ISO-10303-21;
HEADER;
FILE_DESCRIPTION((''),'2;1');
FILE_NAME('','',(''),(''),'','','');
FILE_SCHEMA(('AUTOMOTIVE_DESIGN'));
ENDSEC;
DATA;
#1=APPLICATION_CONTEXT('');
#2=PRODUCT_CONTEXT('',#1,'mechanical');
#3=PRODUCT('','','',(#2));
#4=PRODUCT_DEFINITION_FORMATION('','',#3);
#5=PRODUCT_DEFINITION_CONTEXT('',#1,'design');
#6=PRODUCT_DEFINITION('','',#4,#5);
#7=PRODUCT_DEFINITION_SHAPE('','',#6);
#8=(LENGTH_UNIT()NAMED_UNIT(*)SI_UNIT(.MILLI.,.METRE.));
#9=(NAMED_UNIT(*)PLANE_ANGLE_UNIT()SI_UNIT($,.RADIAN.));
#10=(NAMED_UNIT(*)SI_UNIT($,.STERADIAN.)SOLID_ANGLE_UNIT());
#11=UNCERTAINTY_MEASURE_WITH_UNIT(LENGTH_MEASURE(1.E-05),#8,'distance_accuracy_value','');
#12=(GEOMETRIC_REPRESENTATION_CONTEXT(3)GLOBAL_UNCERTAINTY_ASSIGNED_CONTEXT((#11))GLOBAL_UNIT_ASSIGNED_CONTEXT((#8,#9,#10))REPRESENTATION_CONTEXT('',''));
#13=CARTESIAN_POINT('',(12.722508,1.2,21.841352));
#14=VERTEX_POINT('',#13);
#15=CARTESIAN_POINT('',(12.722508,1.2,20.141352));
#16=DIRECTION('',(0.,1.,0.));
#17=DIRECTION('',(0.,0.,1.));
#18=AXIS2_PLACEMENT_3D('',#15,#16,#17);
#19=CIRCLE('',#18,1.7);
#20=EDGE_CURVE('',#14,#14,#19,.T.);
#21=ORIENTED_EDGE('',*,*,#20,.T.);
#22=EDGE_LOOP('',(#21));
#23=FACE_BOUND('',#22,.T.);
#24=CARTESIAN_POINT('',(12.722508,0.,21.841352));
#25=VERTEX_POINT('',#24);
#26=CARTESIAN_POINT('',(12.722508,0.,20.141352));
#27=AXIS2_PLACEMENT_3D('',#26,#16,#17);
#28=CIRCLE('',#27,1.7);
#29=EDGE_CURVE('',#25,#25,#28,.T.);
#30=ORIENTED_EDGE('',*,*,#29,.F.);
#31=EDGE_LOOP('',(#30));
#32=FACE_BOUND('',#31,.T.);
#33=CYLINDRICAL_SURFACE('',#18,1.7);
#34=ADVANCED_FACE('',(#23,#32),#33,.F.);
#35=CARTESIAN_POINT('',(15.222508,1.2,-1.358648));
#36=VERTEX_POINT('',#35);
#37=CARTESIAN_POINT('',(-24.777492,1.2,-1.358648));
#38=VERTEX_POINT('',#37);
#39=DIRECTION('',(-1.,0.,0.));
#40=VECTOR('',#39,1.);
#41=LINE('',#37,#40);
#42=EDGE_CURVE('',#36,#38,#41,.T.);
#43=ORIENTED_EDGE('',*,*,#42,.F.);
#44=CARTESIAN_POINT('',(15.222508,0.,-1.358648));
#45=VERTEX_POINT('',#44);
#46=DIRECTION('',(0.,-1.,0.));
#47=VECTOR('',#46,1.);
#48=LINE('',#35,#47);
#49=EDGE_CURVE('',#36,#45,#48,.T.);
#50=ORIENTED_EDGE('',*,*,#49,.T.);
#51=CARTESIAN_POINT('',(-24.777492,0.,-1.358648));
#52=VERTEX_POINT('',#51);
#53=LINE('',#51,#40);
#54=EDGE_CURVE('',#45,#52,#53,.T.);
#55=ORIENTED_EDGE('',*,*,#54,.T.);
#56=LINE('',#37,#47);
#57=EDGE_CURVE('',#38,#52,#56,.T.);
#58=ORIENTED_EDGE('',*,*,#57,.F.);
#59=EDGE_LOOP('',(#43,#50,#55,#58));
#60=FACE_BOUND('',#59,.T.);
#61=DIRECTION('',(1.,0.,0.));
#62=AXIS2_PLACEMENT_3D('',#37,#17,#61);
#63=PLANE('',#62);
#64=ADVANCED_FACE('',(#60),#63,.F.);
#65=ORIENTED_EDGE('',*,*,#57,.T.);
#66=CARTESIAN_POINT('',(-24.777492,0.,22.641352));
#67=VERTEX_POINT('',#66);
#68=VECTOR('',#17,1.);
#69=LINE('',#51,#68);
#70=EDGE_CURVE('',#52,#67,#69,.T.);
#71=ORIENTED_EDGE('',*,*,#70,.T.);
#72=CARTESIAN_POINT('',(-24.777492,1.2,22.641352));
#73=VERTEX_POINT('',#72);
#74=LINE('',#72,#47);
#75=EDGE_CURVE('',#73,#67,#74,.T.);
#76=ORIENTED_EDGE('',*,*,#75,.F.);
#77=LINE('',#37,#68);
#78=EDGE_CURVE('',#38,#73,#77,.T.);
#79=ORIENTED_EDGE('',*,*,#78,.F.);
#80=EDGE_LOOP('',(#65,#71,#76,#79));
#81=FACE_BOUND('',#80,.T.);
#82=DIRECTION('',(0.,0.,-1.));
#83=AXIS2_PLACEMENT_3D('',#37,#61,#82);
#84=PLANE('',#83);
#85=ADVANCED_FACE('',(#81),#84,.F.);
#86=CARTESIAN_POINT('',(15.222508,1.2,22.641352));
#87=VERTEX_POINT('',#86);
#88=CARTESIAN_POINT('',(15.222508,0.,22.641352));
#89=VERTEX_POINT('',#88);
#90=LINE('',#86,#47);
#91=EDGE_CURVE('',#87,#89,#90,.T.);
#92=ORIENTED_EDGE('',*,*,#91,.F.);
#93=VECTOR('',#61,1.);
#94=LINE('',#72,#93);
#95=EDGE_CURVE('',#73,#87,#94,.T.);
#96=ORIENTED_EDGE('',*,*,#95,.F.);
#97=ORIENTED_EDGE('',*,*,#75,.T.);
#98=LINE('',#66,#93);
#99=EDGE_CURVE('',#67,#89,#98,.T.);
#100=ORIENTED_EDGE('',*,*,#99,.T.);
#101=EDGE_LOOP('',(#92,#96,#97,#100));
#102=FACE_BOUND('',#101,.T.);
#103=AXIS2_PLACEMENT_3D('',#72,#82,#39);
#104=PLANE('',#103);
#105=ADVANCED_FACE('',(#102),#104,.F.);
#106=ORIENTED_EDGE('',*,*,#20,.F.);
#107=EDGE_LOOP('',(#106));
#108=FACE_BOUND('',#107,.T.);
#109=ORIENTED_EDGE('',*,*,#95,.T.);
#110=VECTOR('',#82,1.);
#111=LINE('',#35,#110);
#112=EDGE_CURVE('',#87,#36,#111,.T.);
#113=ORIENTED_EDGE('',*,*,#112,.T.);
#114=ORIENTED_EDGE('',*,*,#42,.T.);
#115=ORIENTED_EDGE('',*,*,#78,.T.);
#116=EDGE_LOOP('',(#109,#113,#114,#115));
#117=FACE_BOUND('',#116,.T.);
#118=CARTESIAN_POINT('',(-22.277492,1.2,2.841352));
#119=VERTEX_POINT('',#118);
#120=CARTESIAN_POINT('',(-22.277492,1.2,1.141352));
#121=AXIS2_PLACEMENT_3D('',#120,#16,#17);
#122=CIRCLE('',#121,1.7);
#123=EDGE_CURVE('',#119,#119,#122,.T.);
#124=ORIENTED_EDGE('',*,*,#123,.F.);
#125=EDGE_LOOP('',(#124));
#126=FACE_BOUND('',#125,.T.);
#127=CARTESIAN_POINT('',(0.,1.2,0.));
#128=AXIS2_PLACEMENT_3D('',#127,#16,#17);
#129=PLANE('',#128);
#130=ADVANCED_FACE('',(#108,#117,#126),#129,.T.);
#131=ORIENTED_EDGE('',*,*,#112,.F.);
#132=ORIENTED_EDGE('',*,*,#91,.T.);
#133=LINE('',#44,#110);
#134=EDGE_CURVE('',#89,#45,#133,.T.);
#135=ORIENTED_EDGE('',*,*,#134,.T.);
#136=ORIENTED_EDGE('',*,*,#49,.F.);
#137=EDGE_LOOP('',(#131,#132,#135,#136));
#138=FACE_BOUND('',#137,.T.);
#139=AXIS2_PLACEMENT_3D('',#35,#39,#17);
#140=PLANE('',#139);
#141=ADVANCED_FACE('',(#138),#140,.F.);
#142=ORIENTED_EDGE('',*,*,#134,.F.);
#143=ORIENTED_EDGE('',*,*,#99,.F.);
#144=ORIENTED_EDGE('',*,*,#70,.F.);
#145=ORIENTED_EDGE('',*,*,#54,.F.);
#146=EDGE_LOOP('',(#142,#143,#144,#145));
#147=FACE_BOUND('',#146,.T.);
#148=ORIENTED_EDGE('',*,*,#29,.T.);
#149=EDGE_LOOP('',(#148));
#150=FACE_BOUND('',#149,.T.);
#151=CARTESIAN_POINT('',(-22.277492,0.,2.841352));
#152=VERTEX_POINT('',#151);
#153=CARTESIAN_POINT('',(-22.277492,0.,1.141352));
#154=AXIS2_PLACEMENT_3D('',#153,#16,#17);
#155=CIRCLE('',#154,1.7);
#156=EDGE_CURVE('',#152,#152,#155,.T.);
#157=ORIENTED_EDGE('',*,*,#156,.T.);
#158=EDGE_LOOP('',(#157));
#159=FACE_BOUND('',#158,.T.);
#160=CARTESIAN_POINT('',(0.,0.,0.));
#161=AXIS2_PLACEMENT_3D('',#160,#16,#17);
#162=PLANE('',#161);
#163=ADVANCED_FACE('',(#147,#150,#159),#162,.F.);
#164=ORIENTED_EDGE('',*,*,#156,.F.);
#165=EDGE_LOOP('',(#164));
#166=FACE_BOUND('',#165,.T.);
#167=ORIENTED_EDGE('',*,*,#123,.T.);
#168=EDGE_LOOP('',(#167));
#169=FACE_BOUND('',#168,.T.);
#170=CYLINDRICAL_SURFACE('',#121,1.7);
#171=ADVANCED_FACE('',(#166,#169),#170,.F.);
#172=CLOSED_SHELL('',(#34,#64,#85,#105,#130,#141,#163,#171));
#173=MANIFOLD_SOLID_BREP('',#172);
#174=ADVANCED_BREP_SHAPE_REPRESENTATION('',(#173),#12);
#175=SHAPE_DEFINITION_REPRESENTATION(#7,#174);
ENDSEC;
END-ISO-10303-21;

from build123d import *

# Parameters (mm, degrees)
SKETCH1_W            = 40
SKETCH1_H            = 24
BOSS_EXTRUDE1_DEPTH  = 1.2
M3_CLEARANCE_HOLE1_D = 3.4


with BuildPart() as part:
    # Sketch1 → Boss-Extrude1 (new body)
    with BuildSketch(Plane(origin=(0, 0, 0), x_dir=(1, 0, 0), z_dir=(0, 1, 0))):
        with Locations((-4.777491725, -10.641351661)):
            Rectangle(SKETCH1_W, SKETCH1_H)
    extrude(amount=BOSS_EXTRUDE1_DEPTH)

    # M3 Clearance Hole1 (through all)
    with Locations(Plane(origin=(-22.277491725, 1.2, 1.141351661), x_dir=(0, 0, 1), z_dir=(0, 1, 0))):
        with Locations((0, 0), (19, 35)):
            Hole(M3_CLEARANCE_HOLE1_D / 2)


solid = part.part
